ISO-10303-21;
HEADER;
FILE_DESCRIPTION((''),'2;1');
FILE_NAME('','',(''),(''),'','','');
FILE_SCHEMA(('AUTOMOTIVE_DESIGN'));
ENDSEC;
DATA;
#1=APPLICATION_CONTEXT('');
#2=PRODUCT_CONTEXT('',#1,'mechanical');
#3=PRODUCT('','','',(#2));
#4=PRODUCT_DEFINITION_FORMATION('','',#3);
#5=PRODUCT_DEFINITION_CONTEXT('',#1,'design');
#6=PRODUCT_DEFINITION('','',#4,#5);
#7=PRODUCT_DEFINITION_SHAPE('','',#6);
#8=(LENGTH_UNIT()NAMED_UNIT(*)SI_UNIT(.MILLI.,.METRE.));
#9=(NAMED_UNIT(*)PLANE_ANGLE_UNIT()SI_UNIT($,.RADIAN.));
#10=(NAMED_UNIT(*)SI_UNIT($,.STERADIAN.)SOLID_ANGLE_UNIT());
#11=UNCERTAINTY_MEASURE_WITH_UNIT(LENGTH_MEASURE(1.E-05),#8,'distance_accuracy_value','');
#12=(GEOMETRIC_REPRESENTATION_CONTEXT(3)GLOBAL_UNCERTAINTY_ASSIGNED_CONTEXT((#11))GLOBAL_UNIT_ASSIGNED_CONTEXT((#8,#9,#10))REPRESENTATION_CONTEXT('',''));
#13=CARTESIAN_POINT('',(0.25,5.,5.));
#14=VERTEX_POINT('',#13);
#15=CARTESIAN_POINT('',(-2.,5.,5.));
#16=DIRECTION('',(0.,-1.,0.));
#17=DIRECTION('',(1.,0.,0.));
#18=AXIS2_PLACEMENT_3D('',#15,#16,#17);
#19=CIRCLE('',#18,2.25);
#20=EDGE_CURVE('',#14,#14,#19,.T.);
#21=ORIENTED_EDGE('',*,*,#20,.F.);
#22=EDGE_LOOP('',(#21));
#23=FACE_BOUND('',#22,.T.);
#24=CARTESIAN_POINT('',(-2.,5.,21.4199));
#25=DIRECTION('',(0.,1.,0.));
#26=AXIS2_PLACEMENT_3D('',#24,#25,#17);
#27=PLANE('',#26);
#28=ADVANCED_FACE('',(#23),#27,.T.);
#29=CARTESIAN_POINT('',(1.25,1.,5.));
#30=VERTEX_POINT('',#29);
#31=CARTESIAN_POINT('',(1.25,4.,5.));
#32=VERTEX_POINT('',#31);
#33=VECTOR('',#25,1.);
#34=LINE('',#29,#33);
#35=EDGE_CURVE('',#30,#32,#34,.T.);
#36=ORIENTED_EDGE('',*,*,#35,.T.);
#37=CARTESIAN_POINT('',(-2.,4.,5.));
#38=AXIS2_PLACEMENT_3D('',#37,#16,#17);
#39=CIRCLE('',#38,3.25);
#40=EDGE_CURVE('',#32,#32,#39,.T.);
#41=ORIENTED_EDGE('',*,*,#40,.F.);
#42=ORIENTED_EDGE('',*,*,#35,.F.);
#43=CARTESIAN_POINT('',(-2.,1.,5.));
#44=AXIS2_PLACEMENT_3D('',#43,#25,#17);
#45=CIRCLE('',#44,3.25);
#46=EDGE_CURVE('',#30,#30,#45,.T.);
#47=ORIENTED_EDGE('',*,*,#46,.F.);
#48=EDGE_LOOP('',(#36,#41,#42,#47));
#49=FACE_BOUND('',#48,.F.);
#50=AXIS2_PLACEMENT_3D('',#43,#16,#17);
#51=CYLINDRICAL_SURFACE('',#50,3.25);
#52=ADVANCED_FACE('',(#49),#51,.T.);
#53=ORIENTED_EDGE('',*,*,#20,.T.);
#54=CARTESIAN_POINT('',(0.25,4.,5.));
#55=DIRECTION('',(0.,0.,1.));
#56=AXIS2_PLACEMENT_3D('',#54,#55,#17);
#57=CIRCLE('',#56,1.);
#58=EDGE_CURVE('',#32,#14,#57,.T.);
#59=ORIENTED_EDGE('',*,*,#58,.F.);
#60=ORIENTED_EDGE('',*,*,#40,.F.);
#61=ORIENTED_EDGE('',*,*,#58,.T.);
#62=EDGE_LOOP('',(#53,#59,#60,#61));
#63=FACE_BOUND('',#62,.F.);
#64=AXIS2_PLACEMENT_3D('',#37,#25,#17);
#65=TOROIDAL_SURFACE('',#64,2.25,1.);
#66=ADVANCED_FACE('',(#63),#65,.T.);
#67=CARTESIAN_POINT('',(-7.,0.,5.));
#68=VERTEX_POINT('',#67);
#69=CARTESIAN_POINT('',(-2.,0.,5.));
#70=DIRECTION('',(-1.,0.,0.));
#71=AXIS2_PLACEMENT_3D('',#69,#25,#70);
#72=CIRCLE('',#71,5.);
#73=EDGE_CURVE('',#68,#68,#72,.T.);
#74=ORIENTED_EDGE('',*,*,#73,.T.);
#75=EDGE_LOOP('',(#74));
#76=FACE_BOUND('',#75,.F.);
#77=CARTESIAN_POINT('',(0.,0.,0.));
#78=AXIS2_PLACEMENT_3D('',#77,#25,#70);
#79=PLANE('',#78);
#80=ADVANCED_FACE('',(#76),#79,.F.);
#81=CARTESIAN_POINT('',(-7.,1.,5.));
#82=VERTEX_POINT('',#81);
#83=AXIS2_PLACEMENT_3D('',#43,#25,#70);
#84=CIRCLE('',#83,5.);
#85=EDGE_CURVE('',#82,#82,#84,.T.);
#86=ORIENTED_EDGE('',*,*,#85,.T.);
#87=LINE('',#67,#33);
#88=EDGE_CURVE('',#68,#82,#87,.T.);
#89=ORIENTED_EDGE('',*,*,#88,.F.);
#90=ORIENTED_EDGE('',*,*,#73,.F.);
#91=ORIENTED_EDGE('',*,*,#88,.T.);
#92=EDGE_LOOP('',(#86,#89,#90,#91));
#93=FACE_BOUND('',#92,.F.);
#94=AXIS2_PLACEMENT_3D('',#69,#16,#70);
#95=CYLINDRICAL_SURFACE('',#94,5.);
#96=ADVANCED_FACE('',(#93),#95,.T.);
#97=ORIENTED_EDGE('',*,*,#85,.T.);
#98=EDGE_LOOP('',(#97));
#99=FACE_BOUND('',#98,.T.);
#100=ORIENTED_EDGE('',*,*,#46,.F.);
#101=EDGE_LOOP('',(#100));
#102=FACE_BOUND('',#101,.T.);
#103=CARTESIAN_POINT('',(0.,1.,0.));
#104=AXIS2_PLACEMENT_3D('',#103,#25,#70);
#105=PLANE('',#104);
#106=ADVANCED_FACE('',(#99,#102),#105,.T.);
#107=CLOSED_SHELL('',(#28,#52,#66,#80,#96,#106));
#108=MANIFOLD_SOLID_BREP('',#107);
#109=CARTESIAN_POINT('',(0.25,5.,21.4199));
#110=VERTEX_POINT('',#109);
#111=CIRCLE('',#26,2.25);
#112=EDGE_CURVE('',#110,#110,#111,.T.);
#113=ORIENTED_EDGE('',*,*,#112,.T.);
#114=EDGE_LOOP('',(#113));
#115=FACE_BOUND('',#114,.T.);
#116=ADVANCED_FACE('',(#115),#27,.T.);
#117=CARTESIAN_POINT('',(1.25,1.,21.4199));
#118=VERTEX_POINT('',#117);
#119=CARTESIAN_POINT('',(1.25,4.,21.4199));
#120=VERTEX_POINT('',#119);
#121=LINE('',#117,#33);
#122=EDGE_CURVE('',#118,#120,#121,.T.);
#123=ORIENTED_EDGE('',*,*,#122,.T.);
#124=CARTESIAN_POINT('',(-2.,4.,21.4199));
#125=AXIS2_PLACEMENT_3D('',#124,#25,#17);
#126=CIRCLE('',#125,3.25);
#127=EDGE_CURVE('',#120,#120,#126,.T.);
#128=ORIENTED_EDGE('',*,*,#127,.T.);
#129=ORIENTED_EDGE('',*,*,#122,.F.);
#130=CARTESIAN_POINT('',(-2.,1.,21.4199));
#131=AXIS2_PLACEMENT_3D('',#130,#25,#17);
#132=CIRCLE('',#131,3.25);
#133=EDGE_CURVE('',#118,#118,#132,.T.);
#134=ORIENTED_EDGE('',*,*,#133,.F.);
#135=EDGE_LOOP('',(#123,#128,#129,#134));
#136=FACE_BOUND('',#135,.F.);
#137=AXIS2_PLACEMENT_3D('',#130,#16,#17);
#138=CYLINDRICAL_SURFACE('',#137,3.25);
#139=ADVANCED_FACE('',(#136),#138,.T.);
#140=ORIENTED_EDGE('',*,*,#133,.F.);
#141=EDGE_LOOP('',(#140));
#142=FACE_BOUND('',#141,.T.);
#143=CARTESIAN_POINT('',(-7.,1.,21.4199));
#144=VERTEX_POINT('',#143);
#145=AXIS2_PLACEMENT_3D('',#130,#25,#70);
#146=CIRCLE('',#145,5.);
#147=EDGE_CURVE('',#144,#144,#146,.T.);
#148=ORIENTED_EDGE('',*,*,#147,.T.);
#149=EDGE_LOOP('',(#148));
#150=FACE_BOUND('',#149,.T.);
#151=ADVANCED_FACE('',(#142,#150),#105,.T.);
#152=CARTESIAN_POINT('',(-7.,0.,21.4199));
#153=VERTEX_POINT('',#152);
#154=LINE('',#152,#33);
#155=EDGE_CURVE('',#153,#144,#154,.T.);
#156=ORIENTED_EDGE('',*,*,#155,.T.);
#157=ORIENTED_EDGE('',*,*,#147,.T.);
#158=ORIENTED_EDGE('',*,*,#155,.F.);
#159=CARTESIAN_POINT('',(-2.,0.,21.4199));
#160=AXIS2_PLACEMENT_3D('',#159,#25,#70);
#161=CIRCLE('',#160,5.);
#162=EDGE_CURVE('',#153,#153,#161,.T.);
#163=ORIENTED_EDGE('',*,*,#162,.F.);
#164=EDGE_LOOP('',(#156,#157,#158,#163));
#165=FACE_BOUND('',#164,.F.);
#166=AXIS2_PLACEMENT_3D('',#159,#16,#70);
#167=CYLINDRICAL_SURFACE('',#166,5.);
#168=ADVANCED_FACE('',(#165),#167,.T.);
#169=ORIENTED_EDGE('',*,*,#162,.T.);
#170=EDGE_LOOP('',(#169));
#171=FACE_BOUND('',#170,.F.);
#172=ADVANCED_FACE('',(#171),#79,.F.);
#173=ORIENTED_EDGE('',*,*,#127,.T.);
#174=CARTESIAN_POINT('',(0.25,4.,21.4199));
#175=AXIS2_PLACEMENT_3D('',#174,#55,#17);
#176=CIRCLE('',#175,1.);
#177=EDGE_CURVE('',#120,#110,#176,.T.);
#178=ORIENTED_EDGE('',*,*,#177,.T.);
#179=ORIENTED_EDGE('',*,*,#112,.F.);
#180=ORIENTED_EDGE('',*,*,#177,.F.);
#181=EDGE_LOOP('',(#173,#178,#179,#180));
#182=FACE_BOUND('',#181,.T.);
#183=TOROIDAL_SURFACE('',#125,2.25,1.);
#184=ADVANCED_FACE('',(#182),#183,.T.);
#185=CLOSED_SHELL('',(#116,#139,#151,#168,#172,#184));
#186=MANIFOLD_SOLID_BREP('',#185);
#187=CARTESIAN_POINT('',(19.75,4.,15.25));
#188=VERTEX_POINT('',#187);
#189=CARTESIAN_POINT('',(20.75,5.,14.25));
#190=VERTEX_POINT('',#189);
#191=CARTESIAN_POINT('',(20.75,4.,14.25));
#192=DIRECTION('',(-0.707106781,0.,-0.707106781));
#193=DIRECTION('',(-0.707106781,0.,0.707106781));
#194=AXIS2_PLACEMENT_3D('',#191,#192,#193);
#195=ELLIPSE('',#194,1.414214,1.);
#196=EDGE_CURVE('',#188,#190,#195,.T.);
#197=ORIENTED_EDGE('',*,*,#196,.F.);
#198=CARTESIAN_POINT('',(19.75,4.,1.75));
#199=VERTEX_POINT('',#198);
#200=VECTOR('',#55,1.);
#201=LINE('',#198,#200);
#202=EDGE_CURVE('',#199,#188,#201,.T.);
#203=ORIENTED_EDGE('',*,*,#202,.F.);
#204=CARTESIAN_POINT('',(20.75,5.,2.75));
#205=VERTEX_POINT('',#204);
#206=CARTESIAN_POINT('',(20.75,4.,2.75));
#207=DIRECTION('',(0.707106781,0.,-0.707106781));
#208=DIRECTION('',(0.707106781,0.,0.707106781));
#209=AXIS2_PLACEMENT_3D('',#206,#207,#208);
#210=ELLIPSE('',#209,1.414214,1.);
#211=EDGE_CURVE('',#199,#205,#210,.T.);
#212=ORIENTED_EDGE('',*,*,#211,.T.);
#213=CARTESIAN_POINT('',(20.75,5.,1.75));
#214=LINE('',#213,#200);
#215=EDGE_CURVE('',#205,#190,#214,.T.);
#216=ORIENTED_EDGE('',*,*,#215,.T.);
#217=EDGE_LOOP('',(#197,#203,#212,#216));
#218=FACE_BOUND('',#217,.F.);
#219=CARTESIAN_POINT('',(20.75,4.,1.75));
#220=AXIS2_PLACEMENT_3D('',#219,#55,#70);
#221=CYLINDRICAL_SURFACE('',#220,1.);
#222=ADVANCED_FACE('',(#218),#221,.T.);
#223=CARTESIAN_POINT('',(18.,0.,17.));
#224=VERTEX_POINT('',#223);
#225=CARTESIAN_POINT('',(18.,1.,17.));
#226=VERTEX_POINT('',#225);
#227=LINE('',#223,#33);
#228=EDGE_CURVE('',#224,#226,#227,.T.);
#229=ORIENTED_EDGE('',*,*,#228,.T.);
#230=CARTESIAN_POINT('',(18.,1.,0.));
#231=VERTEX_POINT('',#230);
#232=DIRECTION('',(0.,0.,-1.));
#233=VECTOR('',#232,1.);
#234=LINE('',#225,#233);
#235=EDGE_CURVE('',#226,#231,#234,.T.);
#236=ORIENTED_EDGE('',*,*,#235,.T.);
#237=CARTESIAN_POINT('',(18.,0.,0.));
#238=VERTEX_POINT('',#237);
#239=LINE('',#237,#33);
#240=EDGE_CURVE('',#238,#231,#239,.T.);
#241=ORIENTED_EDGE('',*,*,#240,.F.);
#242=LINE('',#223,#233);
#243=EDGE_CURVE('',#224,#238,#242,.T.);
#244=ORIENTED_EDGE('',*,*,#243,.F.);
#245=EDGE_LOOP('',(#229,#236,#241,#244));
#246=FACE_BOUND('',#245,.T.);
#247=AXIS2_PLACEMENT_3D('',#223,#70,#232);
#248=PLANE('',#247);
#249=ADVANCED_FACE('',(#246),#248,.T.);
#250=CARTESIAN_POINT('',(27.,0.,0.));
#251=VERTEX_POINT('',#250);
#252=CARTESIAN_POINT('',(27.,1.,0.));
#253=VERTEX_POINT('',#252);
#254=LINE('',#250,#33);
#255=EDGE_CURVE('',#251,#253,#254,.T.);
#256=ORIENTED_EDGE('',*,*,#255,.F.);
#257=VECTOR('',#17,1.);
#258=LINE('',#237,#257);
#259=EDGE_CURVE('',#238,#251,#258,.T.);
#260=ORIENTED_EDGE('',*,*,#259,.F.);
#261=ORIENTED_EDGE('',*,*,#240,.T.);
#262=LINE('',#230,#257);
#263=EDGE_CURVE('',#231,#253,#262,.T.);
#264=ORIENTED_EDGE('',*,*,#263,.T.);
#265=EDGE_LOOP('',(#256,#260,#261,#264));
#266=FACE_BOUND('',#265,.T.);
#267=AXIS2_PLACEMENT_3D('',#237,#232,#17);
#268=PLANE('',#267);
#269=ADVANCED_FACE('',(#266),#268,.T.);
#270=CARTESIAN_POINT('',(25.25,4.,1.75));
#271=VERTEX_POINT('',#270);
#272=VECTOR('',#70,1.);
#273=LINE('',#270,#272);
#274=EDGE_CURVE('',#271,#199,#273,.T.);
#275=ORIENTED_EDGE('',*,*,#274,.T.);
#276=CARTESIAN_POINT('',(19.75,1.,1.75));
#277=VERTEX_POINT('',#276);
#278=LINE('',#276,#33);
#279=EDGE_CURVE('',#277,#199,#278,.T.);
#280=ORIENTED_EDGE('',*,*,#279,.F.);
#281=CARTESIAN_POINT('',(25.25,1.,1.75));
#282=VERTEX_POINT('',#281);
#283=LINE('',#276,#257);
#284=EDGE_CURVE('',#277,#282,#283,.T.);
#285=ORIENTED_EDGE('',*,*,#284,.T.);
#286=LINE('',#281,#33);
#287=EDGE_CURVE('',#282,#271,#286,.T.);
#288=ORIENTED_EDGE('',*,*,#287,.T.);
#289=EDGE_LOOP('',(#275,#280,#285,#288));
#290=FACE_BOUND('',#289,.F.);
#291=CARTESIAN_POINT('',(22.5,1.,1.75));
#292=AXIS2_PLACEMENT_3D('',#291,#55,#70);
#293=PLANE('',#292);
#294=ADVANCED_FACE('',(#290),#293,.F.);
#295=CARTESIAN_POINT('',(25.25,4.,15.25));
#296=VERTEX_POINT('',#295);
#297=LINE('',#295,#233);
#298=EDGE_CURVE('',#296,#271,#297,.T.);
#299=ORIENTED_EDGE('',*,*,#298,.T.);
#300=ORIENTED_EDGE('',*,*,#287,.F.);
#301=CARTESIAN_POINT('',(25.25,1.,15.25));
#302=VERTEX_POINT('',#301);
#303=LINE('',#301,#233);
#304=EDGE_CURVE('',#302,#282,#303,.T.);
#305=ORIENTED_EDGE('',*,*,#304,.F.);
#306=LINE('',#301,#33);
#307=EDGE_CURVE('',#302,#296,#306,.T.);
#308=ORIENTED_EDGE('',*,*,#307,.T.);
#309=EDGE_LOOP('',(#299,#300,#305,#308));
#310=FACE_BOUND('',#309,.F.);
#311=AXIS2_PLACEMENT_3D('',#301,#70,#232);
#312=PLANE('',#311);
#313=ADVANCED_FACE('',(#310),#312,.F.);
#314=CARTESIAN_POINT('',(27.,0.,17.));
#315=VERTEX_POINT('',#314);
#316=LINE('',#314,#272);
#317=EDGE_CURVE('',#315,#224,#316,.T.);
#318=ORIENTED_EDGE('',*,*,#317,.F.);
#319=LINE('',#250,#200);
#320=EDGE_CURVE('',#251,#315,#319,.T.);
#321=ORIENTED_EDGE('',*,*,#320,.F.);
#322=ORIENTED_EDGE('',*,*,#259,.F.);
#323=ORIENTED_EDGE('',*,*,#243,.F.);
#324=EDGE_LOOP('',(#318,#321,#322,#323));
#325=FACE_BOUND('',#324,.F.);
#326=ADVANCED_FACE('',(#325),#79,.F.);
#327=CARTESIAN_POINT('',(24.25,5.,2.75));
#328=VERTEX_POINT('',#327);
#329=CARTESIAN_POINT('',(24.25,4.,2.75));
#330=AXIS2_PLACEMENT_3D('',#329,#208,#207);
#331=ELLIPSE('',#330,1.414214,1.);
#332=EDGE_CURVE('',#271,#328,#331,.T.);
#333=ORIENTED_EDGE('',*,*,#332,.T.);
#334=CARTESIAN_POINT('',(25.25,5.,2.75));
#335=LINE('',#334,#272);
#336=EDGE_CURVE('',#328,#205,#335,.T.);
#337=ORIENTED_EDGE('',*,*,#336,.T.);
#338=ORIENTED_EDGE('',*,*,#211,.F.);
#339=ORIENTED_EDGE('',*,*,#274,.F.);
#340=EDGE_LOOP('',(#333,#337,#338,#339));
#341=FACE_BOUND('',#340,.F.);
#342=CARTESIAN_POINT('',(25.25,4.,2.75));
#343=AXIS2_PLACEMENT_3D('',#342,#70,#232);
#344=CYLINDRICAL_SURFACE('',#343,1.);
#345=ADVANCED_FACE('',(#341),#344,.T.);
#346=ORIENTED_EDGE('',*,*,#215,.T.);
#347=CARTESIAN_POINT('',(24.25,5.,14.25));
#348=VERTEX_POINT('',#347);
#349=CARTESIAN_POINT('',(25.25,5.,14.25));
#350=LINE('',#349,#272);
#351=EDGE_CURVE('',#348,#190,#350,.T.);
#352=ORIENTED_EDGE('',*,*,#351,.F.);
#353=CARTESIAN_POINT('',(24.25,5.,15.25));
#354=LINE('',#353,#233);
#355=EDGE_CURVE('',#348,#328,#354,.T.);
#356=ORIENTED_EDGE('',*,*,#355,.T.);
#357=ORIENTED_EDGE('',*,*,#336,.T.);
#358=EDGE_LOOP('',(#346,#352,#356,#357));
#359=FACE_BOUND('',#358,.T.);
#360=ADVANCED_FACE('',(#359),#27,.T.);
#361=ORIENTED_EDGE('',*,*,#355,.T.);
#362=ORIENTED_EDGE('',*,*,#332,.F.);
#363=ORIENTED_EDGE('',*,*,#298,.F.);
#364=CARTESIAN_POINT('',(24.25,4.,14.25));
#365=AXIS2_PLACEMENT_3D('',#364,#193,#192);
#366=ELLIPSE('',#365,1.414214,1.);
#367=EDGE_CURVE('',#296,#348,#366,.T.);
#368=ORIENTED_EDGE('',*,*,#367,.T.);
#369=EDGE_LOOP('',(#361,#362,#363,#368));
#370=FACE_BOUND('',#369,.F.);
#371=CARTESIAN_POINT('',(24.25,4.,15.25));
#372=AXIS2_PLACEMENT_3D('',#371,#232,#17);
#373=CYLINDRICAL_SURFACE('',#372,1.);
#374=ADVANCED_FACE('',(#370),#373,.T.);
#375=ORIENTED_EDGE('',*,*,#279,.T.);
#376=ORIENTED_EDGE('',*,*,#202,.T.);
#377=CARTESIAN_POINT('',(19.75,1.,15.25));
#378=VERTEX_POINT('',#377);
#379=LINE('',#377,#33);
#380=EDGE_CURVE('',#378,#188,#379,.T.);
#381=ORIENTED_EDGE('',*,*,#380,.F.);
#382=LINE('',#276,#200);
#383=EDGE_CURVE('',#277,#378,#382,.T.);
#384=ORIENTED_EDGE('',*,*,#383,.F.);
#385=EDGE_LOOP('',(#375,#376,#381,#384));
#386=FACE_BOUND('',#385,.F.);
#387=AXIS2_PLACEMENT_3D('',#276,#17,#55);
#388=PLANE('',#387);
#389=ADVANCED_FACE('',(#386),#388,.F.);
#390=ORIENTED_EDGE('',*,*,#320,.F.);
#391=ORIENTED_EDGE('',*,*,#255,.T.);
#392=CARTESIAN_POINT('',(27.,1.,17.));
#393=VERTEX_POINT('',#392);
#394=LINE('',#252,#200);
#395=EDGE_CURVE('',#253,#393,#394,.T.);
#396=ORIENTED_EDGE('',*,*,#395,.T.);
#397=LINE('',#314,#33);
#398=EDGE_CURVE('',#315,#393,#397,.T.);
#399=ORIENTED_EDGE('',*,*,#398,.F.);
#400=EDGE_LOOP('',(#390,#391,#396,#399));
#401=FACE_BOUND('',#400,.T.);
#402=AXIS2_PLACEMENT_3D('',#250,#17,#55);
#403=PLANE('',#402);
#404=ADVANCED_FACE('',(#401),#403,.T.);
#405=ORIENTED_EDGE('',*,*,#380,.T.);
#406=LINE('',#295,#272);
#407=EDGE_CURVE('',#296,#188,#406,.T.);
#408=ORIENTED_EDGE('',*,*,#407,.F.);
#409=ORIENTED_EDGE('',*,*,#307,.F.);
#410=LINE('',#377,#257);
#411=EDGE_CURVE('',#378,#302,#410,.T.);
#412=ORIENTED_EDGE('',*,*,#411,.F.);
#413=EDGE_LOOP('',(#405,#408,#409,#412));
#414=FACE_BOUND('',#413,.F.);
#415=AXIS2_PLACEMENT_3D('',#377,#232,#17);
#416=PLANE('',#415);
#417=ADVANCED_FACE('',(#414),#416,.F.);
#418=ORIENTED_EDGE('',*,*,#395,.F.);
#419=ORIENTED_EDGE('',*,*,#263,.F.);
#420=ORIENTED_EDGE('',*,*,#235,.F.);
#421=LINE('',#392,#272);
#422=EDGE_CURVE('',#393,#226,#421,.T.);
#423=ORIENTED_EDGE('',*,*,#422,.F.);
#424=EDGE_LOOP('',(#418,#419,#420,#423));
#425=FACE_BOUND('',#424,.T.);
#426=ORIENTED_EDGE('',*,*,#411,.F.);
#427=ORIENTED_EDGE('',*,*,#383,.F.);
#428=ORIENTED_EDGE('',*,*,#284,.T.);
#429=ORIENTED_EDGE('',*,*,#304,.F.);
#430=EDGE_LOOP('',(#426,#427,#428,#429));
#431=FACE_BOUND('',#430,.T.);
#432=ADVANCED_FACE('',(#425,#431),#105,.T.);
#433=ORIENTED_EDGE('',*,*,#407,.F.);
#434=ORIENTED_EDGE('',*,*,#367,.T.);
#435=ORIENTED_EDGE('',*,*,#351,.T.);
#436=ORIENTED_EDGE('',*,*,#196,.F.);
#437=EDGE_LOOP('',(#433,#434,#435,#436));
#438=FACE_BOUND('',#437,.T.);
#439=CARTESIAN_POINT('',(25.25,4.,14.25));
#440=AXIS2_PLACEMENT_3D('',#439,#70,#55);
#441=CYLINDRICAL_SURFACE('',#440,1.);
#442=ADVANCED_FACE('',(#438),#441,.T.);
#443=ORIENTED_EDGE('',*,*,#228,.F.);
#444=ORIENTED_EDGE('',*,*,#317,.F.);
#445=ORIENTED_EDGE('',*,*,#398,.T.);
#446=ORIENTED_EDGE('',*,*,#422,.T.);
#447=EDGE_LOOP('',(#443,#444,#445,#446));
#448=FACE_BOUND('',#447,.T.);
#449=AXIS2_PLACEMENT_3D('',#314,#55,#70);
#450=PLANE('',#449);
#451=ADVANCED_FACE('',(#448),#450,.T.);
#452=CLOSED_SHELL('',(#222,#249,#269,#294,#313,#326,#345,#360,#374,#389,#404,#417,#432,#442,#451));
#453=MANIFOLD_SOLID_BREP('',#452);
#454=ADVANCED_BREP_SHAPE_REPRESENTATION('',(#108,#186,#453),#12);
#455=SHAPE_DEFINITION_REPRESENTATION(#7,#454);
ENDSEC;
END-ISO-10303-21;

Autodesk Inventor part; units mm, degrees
ref_plane "YZ Plane" through (0, 0, 0) normal (1, 0, 0) x (0, 1, 0)
ref_plane "XZ Plane" through (0, 0, 0) normal (0, 1, 0) x (-1, 0, 0)
ref_plane "XY Plane" through (0, 0, 0) normal (0, 0, 1) x (1, 0, 0)
sketch "Эскиз1" plane through (0, 0, 0) normal (0, 1, 0) x (-1, 0, 0)
  circle A0 centre (2, 5) radius 5
  circle A1 centre (2, 21.4199) radius 5
  line L0 (-18, 0) -> (-27, 0)
  line L1 (-27, 0) -> (-27, 17)
  line L2 (-27, 17) -> (-18, 17)
  line L3 (-18, 17) -> (-18, 0)
  point P0 (0, 0)
  dimension "d0" = 10
  dimension "d1" = 10
  dimension "d2" = 9
  dimension "d3" = 17
extrude "Выдавливание1" add sketch "Эскиз1" along normal blind 1
sketch "Эскиз2" plane through (-2, 1, 21.4199) normal (0, 1, 0) x (1, 0, 0)
  circle A0 centre (0, 0) radius 5 projected
  circle A1 centre (0, 0) radius 3.25
  circle A2 centre (0, 16.4199) radius 5 projected
  line L0 (0, 11.4199) -> (0, 21.4199)
  circle A3 centre (0, 16.4199) radius 3.25
  line L1 (20, 4.4199) -> (29, 4.4199) projected
  line L2 (24.5, 4.4199) -> (24.5, 21.4199)
  line L3 (29, 21.4199) -> (20, 21.4199) projected
  line L4 (21.75, 6.1699) -> (27.25, 6.1699)
  line L5 (27.25, 6.1699) -> (27.25, 19.6699)
  line L6 (27.25, 19.6699) -> (21.75, 19.6699)
  line L7 (21.75, 19.6699) -> (21.75, 6.1699)
  line L8 (21.75, 6.1699) -> (27.25, 19.6699) construction
  line L9 (27.25, 6.1699) -> (21.75, 19.6699) construction
  point P0 (2, 21.4199)
  point P1 (24.5, 12.9199)
  dimension "d6" = 6.5
  dimension "d7" = 6.5
  dimension "d8" = 5.5
  dimension "d9" = 13.5
extrude "Выдавливание2" add sketch "Эскиз2" along normal blind 4 contours A1 | A3 L0 | L0 A3 | L4 L7 L6 L2 | L2 L6 L5 L4
fillet "Сопряжение1" radius 1 6 edges at (-5.25, 5, 5) (-5.25, 5, 21.4199) (25.25, 5, 8.5) (22.5, 5, 15.25) (19.75, 5, 8.5) (22.5, 5, 1.75)
sketch "Эскиз3" plane through (-2, 5, 21.4199) normal (0, 1, 0) x (1, 0, 0)
  line L0 (22.75, 7.1699) -> (22.75, 18.6699) projected
  line L1 (26.25, 7.1699) -> (22.75, 7.1699) projected
  line L2 (26.25, 18.6699) -> (26.25, 7.1699) projected
  line L3 (22.75, 18.6699) -> (26.25, 18.6699) projected
  line L4 (23.0928, 7.1539) -> (23.0928, 18.4151) construction
  line L5 (23.0928, 18.4151) -> (25.6461, 18.4151) construction
  line L6 (25.6461, 18.4151) -> (25.6461, 7.1539) construction
  line L7 (25.6461, 7.1539) -> (23.0928, 7.1539) construction
  point P0 (2, 21.4199)
properties part number "ESP_DISP_BUT"
